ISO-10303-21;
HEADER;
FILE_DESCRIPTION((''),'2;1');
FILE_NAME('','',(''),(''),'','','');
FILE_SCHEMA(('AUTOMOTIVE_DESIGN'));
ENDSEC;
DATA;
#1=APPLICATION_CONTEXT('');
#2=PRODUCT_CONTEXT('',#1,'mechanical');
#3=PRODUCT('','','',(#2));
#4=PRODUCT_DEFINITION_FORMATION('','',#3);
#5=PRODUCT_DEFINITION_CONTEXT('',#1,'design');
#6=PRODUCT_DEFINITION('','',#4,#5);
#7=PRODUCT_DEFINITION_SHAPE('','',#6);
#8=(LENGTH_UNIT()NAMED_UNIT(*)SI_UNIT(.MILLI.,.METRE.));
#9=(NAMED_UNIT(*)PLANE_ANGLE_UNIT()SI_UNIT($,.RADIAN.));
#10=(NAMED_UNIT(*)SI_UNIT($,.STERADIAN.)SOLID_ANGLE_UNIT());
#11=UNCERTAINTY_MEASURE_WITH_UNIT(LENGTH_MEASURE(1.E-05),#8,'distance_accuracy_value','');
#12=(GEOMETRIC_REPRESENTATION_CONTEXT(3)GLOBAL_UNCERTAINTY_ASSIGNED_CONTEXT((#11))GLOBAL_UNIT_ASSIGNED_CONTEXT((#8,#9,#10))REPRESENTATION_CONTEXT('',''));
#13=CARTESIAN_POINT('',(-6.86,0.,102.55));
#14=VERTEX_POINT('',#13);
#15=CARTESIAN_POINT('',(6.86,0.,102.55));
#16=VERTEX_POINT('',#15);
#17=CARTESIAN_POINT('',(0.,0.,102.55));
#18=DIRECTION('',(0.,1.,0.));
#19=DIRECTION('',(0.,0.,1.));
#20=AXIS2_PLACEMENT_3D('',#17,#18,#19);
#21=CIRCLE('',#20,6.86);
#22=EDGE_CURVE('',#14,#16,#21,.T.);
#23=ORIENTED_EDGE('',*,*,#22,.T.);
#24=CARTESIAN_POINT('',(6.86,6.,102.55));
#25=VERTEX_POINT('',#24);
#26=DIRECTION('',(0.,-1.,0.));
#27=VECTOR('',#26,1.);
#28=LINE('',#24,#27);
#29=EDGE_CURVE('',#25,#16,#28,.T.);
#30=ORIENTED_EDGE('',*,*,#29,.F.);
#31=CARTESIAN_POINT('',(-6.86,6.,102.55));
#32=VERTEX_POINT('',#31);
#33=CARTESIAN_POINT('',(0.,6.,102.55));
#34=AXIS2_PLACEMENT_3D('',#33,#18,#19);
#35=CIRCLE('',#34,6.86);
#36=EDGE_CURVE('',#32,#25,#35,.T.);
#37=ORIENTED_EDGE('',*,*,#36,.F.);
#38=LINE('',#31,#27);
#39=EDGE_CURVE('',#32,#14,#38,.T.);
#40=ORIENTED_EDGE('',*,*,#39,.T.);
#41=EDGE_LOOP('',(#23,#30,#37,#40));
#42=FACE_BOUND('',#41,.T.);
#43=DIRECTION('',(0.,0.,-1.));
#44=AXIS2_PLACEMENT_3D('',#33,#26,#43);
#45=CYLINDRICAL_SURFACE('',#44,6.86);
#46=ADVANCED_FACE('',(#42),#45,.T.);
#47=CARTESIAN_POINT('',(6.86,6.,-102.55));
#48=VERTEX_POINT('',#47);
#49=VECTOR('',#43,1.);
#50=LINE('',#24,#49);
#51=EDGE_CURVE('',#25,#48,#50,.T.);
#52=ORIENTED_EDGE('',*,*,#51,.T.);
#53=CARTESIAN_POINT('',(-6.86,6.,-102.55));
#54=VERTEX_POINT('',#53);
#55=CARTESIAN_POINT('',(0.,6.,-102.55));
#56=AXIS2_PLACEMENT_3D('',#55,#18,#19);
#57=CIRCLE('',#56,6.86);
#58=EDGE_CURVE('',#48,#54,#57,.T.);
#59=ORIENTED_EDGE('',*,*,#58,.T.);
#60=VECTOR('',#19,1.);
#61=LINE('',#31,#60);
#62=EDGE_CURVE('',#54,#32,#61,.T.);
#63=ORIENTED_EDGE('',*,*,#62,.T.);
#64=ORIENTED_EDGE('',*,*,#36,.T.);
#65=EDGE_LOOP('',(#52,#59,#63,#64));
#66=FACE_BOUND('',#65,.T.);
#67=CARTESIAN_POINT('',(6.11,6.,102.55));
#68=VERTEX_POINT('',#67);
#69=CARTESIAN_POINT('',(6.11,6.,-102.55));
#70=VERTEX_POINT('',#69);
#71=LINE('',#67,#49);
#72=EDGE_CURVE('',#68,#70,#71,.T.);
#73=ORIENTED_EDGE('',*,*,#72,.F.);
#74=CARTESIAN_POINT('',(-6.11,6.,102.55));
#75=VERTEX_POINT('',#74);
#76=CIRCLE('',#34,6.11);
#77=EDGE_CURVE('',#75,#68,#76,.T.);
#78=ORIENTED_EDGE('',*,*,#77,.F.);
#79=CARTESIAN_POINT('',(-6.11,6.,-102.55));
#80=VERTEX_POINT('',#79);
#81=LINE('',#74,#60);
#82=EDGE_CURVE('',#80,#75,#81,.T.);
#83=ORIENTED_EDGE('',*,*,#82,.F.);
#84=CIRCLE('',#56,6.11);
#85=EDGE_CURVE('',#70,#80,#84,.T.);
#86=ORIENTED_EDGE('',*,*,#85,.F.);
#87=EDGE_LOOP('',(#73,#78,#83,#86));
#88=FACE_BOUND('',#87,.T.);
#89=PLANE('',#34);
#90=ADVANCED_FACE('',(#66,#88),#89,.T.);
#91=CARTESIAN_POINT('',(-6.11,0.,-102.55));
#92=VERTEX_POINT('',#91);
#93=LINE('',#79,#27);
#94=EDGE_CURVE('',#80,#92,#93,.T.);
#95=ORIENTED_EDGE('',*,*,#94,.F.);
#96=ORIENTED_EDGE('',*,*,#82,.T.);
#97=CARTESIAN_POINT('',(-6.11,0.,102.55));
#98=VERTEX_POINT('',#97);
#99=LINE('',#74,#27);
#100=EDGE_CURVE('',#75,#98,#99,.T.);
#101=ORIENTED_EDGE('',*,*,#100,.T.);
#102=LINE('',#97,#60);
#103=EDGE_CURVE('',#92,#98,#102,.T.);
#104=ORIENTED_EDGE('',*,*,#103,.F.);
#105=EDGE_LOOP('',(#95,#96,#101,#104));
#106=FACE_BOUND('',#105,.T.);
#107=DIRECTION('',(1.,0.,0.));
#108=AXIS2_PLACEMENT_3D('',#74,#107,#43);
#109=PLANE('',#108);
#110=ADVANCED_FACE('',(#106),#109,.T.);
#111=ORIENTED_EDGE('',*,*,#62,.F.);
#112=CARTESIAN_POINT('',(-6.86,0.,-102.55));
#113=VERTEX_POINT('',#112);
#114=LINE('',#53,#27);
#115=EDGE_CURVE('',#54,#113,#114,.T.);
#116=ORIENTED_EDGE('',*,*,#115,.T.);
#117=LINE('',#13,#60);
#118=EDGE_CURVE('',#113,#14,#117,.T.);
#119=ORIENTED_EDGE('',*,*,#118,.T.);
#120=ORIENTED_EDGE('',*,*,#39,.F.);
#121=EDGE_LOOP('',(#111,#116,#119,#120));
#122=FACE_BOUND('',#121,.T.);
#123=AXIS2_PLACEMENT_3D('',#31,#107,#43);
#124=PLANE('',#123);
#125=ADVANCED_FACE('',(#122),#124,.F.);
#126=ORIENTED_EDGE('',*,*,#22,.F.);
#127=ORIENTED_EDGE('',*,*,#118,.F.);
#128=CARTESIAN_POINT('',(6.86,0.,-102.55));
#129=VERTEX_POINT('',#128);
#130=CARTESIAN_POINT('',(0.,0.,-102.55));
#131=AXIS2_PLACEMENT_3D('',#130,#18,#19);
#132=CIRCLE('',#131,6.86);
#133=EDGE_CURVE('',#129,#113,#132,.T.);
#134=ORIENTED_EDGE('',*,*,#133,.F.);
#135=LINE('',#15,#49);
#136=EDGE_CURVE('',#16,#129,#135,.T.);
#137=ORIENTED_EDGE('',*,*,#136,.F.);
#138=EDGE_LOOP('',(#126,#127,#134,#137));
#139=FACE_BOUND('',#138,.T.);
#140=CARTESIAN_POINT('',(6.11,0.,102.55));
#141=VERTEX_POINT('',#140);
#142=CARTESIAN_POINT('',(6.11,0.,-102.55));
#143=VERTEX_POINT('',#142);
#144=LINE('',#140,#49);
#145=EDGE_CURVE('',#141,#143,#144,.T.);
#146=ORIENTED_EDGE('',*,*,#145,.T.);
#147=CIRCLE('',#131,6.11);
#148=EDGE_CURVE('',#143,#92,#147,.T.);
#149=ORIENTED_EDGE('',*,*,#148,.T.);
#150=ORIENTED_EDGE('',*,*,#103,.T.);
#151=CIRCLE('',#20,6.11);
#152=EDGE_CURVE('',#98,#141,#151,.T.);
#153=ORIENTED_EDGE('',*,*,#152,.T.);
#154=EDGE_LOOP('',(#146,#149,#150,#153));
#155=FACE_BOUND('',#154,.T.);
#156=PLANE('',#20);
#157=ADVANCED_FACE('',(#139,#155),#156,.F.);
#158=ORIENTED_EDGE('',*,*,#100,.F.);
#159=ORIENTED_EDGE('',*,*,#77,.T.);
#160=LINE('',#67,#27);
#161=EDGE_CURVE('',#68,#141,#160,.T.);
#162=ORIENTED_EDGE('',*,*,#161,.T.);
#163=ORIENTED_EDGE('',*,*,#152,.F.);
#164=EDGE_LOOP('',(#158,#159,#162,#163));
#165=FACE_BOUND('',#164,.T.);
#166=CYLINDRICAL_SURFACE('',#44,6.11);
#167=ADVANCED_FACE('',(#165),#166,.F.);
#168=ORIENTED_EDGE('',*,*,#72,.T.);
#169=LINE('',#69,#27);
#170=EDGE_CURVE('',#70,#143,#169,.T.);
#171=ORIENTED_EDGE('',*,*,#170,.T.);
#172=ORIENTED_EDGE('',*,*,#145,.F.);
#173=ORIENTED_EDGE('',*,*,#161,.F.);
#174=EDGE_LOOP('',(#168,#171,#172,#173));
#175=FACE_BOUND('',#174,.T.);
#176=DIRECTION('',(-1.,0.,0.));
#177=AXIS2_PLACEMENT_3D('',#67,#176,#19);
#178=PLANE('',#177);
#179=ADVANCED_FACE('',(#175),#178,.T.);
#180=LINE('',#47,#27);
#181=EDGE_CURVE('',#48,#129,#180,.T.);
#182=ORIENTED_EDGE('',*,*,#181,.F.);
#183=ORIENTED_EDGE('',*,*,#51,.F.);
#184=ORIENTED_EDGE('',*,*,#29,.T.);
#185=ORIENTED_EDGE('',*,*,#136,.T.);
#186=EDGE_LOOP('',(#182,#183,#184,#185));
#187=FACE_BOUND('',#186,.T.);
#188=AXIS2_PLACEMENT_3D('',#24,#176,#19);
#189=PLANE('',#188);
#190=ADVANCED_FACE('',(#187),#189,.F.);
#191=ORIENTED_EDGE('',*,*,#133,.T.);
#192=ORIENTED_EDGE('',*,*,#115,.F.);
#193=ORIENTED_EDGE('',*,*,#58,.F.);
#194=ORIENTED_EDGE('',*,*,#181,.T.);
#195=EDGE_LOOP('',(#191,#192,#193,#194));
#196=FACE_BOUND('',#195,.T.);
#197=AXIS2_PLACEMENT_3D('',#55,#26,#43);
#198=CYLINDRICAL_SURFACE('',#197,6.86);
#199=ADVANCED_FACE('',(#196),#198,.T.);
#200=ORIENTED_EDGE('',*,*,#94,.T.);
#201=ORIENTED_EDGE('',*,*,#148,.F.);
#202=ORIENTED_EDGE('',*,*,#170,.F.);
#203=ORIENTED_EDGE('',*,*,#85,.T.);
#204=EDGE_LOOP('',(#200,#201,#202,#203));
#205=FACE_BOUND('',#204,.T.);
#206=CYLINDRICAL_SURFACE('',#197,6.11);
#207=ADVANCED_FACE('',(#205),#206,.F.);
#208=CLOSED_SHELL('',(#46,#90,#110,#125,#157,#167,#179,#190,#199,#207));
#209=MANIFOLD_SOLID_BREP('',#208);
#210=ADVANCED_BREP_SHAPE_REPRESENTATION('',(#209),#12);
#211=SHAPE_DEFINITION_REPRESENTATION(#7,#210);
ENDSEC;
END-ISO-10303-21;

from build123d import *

# Parameters (mm, degrees)
EXTRUDE_1_DEPTH = 6


with BuildPart() as part:
    # 草图1 → 凸台-拉伸1 (new body)
    with BuildSketch(Plane(origin=(0, 0, 0), x_dir=(1, 0, 0), z_dir=(0, 1, 0))):
        with BuildLine():
            Line((-6.86, -102.55), (-6.86, 102.55))
            ThreePointArc((-6.86, 102.55), (0, 109.41), (6.86, 102.55))
            Line((6.86, 102.55), (6.86, -102.55))
            ThreePointArc((6.86, -102.55), (0, -109.41), (-6.86, -102.55))
        make_face()
        with BuildLine():
            Line((-6.11, -102.55), (-6.11, 102.55))
            ThreePointArc((-6.11, 102.55), (0, 108.66), (6.11, 102.55))
            Line((6.11, 102.55), (6.11, -102.55))
            ThreePointArc((6.11, -102.55), (0, -108.66), (-6.11, -102.55))
        make_face(mode=Mode.SUBTRACT)
    extrude(amount=EXTRUDE_1_DEPTH)


solid = part.part
